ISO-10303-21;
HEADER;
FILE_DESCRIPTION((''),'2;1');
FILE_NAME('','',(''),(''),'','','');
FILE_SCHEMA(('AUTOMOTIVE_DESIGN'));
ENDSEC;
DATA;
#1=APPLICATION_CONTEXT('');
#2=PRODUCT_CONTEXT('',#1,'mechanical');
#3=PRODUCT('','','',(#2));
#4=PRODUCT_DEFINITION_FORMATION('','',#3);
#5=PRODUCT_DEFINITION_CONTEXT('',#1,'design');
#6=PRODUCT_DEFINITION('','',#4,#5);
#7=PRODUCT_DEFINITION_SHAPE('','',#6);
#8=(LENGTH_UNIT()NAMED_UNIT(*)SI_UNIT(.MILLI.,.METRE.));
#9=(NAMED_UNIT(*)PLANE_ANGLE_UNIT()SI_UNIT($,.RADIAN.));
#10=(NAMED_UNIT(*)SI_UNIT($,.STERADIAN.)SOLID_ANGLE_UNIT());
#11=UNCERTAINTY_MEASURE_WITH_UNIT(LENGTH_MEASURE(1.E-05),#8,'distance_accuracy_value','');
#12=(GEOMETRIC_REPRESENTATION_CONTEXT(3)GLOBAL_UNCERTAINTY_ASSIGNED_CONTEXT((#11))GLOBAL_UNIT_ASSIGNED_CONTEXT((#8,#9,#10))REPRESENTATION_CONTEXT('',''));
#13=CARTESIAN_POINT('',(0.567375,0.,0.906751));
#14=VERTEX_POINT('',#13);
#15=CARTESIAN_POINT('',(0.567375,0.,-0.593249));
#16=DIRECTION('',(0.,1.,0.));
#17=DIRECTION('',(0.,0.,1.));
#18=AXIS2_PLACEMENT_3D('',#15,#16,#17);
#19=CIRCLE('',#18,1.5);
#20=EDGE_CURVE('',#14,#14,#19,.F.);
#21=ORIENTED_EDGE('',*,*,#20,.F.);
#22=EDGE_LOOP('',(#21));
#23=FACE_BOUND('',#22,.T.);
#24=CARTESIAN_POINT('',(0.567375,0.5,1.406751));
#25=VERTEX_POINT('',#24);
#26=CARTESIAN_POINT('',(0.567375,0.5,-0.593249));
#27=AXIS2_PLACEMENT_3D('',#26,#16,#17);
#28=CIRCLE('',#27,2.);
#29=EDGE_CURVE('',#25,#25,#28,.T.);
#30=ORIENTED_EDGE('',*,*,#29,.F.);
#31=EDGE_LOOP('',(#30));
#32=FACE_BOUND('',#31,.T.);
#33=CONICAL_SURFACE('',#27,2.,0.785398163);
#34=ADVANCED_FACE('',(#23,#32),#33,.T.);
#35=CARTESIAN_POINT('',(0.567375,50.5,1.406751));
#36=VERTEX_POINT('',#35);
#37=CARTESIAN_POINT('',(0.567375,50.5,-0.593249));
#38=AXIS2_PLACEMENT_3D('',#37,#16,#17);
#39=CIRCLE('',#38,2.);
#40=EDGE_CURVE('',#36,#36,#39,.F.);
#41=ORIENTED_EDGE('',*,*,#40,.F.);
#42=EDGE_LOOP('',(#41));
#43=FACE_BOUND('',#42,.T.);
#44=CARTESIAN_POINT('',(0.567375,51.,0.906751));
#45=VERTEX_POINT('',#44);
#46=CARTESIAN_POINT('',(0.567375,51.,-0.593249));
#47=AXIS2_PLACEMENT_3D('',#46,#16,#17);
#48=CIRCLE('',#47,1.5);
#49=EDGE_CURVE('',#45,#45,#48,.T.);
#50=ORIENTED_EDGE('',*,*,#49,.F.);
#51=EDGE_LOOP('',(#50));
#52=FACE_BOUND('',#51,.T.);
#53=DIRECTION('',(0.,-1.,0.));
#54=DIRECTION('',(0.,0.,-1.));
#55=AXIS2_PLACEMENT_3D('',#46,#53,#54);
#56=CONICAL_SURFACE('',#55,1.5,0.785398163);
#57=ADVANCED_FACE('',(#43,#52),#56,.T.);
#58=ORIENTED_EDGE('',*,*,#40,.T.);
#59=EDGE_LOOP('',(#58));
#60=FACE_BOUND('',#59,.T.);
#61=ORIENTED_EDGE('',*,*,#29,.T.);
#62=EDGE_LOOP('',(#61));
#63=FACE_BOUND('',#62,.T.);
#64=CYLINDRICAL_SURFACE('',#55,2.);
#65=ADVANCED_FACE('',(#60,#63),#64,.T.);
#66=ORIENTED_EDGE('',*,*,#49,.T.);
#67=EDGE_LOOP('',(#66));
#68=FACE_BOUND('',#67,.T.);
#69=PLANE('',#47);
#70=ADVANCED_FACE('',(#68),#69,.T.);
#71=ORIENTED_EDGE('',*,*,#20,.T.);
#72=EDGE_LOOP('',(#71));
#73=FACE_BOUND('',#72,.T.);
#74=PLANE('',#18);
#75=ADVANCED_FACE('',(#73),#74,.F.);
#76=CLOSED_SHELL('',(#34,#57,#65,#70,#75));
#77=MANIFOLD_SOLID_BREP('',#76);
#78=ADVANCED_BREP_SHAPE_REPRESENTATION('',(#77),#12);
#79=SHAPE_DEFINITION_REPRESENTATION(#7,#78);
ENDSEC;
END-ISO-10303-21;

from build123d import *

# Parameters (mm, degrees)
SKETCH_1_R      = 2
EXTRUDE_1_DEPTH = 51
CHAMFER_1_SIZE  = 0.5


with BuildPart() as part:
    # 草图1 → 凸台-拉伸1 (new body)
    with BuildSketch(Plane(origin=(0, 0, 0), x_dir=(1, 0, 0), z_dir=(0, 1, 0))):
        with Locations(Location((0.567374904, 0.593248779, 0), (0, 0, 270))):
            Circle(SKETCH_1_R)
    extrude(amount=EXTRUDE_1_DEPTH)

    # 倒角1
    chamfer_1_edges = [part.edges().sort_by_distance(p)[0] for p in [
        (0.567374904, 0, -2.593248779),
        (0.567374904, 51, -2.593248779),
    ]]
    chamfer(chamfer_1_edges, length=CHAMFER_1_SIZE)


solid = part.part
